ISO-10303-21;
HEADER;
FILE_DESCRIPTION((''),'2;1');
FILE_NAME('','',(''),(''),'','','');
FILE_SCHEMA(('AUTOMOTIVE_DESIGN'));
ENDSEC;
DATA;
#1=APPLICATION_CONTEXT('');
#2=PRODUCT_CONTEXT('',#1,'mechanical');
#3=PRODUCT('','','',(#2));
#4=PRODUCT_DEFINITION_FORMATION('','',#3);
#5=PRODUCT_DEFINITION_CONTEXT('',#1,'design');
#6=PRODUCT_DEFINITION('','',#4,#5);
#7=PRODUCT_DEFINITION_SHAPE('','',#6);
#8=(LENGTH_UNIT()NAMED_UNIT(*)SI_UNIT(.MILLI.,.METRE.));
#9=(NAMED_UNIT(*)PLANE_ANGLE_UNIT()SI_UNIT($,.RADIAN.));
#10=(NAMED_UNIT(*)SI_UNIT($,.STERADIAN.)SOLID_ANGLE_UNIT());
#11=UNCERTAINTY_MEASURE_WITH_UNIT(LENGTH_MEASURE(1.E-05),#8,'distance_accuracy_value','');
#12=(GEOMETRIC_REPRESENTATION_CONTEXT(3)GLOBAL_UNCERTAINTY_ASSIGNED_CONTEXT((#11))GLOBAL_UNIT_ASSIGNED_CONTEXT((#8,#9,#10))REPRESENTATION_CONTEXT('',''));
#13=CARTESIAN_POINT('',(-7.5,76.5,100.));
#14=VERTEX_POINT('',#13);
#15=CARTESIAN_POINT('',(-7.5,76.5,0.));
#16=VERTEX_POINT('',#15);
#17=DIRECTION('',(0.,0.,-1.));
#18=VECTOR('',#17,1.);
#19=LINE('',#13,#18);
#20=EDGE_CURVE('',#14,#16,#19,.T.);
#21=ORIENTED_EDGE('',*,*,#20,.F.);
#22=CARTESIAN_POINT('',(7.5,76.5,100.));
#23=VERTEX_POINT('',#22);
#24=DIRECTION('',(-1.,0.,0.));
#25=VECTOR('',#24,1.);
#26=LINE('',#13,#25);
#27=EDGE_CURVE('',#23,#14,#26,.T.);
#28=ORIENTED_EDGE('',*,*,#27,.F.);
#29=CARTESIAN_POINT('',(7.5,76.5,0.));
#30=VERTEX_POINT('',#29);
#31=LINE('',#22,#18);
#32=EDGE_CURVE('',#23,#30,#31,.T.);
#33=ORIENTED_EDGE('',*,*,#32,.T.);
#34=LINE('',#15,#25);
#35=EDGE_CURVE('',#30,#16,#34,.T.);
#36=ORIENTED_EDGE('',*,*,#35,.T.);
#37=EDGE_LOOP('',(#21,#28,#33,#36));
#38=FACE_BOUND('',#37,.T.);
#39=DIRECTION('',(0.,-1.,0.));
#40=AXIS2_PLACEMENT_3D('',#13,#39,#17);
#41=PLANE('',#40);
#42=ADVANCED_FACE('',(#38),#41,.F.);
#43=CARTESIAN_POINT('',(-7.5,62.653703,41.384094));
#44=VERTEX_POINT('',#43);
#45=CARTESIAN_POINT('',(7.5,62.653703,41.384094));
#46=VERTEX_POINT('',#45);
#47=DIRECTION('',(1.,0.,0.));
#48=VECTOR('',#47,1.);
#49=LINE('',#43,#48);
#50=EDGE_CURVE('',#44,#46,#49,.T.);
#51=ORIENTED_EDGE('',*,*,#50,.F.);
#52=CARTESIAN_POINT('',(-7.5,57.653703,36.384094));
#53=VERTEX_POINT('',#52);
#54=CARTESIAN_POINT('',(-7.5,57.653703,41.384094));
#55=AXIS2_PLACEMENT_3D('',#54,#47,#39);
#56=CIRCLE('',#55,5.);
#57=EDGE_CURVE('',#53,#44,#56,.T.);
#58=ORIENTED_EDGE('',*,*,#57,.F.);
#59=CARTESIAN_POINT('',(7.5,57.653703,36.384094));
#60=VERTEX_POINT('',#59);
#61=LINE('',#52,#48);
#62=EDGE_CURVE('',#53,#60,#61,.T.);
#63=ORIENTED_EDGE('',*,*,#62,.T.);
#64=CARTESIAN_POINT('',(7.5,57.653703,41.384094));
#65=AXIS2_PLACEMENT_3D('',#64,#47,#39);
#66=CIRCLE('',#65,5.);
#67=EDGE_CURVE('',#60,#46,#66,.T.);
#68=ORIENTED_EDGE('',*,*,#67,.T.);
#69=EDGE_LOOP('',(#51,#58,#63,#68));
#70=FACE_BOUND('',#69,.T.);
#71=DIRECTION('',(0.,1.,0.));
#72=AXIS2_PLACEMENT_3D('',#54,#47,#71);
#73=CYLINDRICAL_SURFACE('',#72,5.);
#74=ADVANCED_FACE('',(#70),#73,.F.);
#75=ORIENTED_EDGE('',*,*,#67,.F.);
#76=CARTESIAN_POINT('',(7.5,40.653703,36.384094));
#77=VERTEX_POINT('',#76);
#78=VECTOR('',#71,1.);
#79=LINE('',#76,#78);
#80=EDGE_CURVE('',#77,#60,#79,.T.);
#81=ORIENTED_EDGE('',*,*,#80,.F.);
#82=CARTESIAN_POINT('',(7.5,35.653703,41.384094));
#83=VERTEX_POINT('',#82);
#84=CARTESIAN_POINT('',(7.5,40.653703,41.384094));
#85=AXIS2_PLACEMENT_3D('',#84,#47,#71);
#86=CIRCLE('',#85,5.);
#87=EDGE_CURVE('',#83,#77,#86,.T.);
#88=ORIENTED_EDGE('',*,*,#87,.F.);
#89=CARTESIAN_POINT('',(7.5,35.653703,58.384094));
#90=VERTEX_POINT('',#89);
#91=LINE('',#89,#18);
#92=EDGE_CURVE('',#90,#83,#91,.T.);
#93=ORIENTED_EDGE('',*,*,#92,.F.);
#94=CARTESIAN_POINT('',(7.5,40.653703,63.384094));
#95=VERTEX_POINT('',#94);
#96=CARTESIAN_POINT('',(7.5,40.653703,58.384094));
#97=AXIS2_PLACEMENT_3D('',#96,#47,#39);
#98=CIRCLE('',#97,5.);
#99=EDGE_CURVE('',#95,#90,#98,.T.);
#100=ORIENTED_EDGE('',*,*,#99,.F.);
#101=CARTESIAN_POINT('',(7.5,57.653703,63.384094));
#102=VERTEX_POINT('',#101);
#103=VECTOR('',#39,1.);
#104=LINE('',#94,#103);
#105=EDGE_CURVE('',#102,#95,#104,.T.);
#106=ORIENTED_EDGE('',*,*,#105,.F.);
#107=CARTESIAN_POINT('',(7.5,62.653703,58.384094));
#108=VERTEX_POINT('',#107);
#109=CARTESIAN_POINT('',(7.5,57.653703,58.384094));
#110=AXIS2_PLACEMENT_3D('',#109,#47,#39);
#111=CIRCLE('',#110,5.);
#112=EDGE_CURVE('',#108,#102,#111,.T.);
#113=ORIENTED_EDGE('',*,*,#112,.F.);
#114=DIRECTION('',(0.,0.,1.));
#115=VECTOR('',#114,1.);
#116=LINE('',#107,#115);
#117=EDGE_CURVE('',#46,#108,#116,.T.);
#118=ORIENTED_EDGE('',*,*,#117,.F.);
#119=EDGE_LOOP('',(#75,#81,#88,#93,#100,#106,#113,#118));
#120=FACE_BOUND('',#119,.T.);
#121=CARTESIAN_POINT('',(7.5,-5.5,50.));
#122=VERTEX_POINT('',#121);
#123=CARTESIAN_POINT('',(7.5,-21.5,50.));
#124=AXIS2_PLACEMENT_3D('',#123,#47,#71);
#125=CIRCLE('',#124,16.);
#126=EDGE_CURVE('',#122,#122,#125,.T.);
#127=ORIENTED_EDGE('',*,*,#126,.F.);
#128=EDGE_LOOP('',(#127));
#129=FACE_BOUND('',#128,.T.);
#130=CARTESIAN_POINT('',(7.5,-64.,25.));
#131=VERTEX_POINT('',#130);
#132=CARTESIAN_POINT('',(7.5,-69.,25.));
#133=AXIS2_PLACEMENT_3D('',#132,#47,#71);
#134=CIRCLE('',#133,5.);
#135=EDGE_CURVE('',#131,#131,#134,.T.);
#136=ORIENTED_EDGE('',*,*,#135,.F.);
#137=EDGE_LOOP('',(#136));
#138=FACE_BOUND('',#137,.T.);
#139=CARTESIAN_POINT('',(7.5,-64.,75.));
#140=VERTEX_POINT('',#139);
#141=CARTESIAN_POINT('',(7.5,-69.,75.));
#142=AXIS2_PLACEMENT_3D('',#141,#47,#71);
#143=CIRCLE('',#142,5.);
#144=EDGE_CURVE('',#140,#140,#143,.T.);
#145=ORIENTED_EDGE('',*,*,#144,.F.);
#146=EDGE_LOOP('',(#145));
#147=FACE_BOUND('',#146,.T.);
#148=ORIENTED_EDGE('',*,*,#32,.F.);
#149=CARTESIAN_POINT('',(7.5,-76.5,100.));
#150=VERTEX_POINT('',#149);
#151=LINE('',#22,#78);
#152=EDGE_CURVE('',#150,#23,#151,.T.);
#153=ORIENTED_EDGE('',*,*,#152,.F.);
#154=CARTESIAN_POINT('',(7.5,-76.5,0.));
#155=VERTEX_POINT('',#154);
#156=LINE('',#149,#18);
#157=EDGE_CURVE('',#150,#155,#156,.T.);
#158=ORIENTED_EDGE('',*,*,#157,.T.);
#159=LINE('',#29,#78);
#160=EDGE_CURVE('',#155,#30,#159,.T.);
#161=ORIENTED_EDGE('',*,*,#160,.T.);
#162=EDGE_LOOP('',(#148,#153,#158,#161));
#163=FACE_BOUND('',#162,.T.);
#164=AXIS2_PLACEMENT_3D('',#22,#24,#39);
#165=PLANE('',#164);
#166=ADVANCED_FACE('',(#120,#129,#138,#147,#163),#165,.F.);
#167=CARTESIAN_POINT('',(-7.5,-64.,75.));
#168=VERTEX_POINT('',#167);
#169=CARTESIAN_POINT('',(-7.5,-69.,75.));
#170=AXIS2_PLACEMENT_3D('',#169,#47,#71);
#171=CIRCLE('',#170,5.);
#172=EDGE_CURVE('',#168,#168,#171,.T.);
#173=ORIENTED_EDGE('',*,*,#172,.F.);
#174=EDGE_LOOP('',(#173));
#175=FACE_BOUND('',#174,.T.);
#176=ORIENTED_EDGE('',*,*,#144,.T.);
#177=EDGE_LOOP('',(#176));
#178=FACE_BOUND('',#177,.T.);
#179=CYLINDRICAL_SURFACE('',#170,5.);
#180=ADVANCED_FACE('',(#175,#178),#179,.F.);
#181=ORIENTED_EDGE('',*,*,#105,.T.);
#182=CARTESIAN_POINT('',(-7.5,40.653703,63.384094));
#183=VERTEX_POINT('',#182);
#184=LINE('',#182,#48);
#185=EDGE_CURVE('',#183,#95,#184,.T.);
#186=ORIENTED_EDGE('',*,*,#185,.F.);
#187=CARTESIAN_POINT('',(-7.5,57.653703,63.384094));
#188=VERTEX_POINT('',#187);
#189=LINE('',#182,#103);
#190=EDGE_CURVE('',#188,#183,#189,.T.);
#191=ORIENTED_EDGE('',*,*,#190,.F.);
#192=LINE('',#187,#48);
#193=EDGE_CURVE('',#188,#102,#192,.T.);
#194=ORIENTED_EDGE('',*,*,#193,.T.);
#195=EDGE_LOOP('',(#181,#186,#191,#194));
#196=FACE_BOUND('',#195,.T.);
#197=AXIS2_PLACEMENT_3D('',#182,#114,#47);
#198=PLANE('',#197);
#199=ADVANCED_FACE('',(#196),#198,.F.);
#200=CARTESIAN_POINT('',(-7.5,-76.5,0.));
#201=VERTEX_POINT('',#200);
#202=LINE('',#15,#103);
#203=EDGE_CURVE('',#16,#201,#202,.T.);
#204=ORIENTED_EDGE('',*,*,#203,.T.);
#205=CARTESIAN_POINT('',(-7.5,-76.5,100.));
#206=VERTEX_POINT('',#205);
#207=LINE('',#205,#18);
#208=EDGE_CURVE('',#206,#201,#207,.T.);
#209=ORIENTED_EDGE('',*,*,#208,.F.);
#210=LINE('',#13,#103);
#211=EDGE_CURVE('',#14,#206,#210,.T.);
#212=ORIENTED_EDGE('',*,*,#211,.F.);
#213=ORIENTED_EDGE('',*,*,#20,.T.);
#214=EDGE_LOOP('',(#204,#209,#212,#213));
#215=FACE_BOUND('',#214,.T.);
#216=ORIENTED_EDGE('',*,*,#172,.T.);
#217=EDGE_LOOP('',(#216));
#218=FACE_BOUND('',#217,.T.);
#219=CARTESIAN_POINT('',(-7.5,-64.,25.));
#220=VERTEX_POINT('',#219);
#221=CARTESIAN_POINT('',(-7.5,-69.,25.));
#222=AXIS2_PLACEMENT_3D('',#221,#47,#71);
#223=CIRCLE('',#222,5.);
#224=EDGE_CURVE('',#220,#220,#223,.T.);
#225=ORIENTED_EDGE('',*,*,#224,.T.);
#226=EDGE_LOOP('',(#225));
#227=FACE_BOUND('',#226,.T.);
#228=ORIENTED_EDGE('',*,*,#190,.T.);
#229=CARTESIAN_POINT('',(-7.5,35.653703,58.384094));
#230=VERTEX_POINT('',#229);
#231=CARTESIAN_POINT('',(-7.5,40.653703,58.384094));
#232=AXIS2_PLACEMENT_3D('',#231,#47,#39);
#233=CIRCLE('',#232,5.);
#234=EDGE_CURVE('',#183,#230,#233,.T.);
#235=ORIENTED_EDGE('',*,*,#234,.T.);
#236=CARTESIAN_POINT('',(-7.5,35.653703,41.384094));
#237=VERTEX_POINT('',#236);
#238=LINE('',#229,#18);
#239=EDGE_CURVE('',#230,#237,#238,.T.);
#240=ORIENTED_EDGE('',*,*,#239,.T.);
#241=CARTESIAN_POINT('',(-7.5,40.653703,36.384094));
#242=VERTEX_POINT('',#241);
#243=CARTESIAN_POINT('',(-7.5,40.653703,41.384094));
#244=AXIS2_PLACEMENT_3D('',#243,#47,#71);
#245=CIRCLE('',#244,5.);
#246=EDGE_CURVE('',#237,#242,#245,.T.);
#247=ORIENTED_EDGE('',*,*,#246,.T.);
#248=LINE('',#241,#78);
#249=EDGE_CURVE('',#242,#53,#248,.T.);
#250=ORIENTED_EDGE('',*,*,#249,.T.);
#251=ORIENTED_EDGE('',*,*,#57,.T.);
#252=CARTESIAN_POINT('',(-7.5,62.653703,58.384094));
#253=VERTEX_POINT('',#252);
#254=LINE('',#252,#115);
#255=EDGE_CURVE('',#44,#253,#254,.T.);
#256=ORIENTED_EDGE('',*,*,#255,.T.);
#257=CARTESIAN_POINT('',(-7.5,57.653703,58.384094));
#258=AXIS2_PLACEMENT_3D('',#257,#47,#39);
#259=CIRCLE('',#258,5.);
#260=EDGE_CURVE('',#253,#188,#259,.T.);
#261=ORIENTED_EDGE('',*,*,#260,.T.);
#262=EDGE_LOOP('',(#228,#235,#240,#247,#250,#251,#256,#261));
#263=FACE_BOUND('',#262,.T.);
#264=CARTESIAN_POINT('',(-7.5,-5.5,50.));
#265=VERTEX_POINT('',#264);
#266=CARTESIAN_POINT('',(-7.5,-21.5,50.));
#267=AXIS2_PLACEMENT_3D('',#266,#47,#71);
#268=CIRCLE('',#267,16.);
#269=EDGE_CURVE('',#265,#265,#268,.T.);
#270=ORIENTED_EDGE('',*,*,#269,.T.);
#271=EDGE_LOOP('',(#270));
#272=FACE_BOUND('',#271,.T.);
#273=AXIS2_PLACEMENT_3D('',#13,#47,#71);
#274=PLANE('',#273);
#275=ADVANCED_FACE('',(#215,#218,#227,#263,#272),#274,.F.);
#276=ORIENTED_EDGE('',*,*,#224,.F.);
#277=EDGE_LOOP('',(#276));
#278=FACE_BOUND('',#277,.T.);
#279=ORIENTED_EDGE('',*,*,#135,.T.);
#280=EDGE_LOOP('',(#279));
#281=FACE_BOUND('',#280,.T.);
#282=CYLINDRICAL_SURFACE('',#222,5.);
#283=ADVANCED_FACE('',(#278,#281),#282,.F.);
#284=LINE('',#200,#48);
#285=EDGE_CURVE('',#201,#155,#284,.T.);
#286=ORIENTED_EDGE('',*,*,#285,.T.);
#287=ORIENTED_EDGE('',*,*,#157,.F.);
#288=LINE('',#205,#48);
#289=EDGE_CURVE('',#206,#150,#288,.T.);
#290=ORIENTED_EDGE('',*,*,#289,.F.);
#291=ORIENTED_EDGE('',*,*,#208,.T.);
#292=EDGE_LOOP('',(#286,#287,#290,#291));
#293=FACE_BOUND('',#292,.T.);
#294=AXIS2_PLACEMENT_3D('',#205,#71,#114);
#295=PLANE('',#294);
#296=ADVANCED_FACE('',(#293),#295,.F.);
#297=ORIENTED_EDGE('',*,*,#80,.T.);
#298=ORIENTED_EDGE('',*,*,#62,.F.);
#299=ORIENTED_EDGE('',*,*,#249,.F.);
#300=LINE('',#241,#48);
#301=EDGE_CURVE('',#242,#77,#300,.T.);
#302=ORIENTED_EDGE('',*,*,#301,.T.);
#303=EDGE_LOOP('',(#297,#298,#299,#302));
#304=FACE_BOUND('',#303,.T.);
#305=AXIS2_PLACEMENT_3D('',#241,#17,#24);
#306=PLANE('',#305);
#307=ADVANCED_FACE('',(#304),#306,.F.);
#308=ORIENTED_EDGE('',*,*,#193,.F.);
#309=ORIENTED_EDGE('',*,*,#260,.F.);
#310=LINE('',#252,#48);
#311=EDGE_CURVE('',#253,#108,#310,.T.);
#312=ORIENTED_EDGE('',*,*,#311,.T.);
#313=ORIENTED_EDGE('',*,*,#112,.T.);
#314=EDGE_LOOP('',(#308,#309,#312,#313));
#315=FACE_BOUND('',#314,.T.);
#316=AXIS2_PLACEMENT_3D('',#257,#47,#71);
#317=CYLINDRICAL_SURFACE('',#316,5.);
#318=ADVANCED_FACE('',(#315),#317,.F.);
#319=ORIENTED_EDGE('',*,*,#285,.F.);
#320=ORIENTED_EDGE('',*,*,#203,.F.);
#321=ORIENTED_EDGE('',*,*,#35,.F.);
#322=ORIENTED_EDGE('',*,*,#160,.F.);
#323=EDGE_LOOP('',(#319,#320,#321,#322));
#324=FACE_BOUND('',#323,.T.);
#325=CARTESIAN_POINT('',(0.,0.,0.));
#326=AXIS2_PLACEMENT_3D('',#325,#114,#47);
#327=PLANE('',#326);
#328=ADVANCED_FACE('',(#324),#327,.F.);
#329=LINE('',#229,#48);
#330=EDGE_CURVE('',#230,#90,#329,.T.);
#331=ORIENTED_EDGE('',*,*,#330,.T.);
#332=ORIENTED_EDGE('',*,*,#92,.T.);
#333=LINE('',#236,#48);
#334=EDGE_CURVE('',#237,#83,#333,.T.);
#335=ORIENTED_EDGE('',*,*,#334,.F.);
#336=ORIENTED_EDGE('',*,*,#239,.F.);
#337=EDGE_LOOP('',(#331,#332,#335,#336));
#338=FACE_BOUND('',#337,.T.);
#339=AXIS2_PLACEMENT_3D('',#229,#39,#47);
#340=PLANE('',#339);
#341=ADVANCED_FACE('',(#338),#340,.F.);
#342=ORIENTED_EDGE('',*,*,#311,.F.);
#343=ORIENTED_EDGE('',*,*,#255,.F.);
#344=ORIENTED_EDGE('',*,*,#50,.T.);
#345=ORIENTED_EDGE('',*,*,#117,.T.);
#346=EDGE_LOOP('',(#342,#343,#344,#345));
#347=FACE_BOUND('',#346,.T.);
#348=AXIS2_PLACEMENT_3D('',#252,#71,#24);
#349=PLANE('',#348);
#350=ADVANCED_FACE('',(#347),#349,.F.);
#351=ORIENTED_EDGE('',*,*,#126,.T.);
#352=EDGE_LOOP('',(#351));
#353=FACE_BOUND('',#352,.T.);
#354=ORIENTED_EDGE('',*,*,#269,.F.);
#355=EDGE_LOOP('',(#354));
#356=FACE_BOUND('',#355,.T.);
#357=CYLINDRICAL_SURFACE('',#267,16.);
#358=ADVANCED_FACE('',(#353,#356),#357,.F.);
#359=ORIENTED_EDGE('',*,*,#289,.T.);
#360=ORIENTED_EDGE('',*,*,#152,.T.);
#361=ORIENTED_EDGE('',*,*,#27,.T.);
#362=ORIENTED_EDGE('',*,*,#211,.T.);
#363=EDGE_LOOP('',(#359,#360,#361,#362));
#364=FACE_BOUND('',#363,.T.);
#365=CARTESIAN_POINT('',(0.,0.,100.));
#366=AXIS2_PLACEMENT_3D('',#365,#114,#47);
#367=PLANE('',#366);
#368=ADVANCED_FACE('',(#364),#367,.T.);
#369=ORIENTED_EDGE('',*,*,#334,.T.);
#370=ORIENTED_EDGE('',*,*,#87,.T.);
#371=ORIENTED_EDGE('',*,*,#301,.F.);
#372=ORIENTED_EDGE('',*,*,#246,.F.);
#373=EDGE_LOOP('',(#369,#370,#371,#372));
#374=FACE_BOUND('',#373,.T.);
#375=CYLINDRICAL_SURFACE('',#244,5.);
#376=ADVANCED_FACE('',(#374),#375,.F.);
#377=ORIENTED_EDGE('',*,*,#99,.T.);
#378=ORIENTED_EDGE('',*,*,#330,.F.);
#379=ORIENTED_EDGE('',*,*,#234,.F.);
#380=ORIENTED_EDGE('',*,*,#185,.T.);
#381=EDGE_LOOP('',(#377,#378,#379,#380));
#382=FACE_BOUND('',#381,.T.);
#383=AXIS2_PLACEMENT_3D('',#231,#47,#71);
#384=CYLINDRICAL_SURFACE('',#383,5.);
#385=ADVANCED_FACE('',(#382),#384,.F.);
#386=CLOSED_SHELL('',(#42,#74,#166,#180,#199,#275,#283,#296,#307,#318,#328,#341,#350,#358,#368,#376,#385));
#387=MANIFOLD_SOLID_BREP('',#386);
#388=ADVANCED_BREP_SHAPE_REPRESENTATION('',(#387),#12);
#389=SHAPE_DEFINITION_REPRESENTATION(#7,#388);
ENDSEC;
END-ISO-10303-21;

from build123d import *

# Parameters (mm, degrees)
IZIM1_W                     = 15
IZIM1_H                     = 153
Y_KSEKLIK_EKSTR_ZYON1_DEPTH = 100
IZIM2_R                     = 5
KES_EKSTR_ZYON2_DEPTH       = 16
IZIM3_R                     = 16
KES_EKSTR_ZYON3_DEPTH       = 16


with BuildPart() as part:
    # Çizim1 → Yükseklik-Ekstrüzyon1 (new body)
    with BuildSketch(Plane.XY):
        Rectangle(IZIM1_W, IZIM1_H)
    extrude(amount=Y_KSEKLIK_EKSTR_ZYON1_DEPTH)

    # Çizim2 → Kes-Ekstrüzyon2 (cut, through all)
    with BuildSketch(Plane(origin=(7.5, 0, 0), x_dir=(0, 0, -1), z_dir=(1, 0, 0))):
        with Locations((-75, -69)):
            Circle(IZIM2_R)
        with Locations((-25, -69)):
            Circle(IZIM2_R)
    extrude(amount=-KES_EKSTR_ZYON2_DEPTH, mode=Mode.SUBTRACT)

    # Çizim3 → Kes-Ekstrüzyon3 (cut, through all)
    with BuildSketch(Plane(origin=(7.5, 0, 0), x_dir=(0, 0, -1), z_dir=(1, 0, 0))):
        with Locations((-50, -21.5)):
            Circle(IZIM3_R)
        with BuildLine():
            Line((-58.38409441, 35.653702621), (-41.38409441, 35.653702621))
            ThreePointArc((-41.38409441, 35.653702621), (-37.848560504, 37.118168715), (-36.38409441, 40.653702621))
            Line((-36.38409441, 40.653702621), (-36.38409441, 57.653702621))
            ThreePointArc((-36.38409441, 57.653702621), (-37.848560504, 61.189236527), (-41.38409441, 62.653702621))
            Line((-41.38409441, 62.653702621), (-58.38409441, 62.653702621))
            ThreePointArc((-58.38409441, 62.653702621), (-61.919628316, 61.189236527), (-63.38409441, 57.653702621))
            Line((-63.38409441, 57.653702621), (-63.38409441, 40.653702621))
            ThreePointArc((-63.38409441, 40.653702621), (-61.919628316, 37.118168715), (-58.38409441, 35.653702621))
        make_face()
    extrude(amount=-KES_EKSTR_ZYON3_DEPTH, mode=Mode.SUBTRACT)


solid = part.part
